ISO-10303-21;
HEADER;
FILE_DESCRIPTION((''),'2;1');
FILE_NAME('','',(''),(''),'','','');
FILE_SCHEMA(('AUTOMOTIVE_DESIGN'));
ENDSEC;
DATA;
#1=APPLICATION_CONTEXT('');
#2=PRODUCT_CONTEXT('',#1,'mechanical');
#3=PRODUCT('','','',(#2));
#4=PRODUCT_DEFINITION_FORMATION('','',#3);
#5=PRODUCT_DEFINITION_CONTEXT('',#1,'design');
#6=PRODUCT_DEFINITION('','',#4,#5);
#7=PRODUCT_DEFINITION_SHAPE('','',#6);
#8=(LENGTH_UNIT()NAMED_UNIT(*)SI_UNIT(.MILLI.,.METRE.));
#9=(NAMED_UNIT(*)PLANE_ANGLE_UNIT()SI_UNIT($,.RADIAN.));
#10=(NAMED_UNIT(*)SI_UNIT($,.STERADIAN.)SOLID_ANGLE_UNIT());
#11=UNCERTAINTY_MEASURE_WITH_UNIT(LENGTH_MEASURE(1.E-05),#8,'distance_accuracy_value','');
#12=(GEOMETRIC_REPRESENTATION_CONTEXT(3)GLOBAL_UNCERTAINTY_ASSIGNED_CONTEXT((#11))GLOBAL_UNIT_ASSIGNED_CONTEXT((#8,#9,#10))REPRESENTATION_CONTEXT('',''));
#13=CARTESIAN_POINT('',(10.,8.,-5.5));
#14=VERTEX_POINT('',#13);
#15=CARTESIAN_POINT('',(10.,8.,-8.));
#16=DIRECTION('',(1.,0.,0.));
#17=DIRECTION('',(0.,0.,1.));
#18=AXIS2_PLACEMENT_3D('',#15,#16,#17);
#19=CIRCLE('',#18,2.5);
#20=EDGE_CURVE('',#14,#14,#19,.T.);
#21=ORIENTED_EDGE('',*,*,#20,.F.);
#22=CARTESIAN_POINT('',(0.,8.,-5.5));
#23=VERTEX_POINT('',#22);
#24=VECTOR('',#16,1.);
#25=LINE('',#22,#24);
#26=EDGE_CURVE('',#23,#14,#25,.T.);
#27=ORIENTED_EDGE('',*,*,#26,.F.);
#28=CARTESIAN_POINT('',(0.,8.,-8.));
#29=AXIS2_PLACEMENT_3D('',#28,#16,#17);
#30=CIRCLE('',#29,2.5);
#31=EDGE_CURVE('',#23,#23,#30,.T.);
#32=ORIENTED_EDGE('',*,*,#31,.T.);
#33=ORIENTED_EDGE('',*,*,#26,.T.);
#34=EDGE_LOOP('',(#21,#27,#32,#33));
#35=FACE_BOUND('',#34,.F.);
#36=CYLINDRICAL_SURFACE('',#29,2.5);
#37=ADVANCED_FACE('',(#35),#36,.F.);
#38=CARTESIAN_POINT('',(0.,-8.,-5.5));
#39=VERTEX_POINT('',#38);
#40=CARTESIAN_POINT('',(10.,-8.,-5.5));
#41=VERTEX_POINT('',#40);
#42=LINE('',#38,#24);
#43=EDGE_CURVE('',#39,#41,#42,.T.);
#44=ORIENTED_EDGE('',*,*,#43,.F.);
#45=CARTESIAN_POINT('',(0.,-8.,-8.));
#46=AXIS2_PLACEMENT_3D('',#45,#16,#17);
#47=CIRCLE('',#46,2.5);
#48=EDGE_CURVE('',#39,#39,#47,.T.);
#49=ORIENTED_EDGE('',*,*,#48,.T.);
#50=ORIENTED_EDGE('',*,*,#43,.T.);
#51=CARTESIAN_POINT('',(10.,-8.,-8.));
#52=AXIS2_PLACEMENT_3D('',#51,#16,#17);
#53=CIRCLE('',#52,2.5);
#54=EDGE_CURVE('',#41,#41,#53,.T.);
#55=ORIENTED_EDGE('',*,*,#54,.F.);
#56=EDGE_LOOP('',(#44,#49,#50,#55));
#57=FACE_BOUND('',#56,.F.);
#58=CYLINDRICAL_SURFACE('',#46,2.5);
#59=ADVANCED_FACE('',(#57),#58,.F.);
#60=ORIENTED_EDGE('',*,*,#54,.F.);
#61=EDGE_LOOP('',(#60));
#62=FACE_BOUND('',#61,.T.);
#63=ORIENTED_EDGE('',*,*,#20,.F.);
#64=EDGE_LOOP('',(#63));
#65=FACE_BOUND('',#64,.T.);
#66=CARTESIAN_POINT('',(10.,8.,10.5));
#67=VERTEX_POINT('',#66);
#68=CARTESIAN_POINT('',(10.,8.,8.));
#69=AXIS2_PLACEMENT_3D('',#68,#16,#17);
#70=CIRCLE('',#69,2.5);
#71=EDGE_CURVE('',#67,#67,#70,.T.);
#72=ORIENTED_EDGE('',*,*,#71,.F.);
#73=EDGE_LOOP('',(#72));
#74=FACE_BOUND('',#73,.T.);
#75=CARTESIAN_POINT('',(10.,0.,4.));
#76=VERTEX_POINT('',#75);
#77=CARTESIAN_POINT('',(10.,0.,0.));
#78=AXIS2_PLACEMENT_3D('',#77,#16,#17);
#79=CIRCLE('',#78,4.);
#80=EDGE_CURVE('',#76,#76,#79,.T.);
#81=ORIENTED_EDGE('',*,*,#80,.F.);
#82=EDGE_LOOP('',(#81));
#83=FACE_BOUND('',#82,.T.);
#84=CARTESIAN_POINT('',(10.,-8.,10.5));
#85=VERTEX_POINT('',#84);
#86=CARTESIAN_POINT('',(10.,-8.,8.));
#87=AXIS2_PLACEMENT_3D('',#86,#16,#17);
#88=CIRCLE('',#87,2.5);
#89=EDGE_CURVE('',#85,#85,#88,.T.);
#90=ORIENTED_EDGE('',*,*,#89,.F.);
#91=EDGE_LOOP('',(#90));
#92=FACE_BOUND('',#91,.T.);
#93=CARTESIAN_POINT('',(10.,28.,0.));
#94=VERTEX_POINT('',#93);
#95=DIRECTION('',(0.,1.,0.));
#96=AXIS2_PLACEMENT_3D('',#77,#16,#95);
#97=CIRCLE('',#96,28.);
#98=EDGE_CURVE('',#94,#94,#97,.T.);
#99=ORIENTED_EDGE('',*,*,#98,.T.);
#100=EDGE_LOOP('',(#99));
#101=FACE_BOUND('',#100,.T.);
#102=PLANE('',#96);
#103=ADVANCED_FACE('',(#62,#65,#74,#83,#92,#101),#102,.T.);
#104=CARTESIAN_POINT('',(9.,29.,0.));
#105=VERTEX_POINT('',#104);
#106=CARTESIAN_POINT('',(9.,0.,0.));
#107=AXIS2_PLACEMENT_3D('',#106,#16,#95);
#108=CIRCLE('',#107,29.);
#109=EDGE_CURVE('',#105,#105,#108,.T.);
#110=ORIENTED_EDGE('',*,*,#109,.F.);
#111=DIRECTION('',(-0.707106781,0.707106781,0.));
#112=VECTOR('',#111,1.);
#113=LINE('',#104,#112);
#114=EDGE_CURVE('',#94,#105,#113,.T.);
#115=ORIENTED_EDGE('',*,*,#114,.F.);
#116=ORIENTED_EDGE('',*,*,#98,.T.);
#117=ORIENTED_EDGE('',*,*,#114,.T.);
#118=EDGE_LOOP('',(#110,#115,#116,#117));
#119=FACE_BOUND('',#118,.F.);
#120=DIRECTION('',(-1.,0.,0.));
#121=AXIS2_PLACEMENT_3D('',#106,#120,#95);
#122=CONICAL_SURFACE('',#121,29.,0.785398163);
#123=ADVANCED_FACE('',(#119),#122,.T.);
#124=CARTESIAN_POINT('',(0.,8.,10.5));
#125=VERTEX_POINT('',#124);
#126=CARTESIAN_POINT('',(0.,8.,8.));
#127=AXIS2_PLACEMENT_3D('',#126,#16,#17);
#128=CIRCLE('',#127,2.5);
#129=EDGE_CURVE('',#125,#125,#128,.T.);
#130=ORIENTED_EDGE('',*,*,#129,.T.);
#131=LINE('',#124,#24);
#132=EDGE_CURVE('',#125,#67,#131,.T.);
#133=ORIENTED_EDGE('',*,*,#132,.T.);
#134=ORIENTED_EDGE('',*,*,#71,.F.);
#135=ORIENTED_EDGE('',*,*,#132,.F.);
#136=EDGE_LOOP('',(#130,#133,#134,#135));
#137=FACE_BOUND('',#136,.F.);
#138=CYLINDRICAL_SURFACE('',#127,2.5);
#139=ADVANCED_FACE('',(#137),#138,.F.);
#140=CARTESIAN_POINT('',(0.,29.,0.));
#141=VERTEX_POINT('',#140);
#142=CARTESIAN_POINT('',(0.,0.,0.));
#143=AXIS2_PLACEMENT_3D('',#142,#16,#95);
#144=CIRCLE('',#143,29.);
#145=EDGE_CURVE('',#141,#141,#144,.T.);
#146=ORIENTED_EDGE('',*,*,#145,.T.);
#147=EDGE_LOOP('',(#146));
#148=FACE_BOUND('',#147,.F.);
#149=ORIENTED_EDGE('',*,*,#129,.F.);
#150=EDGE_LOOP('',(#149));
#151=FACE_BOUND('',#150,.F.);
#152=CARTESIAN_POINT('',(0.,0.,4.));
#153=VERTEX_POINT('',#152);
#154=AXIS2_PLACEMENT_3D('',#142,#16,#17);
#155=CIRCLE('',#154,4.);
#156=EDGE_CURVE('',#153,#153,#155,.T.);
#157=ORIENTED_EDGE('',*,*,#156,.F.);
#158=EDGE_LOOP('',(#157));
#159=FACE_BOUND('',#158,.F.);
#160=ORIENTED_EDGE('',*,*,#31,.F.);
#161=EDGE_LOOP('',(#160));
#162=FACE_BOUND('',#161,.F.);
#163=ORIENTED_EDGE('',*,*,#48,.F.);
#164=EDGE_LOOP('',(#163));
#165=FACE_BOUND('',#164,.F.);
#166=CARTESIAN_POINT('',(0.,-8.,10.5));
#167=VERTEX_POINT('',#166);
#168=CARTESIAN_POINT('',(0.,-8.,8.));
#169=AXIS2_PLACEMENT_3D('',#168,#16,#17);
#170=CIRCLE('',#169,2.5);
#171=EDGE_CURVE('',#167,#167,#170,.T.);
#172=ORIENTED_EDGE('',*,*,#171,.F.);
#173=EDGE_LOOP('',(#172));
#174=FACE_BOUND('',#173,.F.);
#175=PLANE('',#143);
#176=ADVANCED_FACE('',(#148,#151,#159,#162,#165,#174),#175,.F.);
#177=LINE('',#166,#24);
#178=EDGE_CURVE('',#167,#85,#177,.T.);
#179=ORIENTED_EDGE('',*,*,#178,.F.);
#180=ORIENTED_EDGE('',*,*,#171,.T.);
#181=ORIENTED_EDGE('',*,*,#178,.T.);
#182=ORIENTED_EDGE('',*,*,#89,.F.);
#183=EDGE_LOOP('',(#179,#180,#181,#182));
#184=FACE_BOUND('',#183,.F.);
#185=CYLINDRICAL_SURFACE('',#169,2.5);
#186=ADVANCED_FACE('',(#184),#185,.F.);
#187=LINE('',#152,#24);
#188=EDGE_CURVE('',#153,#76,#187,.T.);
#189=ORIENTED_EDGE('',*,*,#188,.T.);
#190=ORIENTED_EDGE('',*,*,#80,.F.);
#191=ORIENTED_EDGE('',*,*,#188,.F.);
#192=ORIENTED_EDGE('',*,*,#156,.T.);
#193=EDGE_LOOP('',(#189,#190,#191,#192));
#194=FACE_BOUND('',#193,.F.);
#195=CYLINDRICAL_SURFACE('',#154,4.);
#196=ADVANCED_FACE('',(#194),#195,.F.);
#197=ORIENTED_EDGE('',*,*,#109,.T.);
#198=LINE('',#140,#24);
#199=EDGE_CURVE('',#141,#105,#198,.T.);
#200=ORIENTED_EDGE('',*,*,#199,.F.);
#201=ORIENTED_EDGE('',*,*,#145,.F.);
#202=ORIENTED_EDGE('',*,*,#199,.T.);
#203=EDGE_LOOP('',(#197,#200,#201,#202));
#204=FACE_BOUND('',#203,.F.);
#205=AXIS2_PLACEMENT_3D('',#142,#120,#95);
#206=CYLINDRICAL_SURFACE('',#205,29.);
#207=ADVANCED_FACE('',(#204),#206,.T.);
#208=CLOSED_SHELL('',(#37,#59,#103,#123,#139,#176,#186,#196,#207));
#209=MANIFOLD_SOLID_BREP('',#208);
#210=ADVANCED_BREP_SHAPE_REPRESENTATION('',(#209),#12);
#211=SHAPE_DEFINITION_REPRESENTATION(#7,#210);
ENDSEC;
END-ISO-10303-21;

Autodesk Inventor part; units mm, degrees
ref_plane "YZ Plane" through (0, 0, 0) normal (1, 0, 0) x (0, 1, 0)
ref_plane "XZ Plane" through (0, 0, 0) normal (0, 1, 0) x (-1, 0, 0)
ref_plane "XY Plane" through (0, 0, 0) normal (0, 0, 1) x (1, 0, 0)
sketch "Sketch1" plane through (0, 0, 0) normal (1, 0, 0) x (0, 1, 0)
  circle A0 centre (0, 0) radius 29
  circle A1 centre (0, 0) radius 22.2155 construction
  circle A2 centre (0, 0) radius 29 projected
  dimension "d21" = 58
  dimension "d28" = 58
extrude "Extrusion1" add sketch "Sketch1" along normal blind 10
sketch "Sketch2" plane through (0, 0, 0) normal (-1, 0, 0) x (0, 0, 1)
  point P0 (0, 0)
  point P1 (8, 8)
  point P2 (8, -8)
  point P3 (-8, -8)
  point P4 (-8, 8)
  dimension "d2" = 8
  dimension "d3" = 8
  dimension "d4" = 16
  dimension "d5" = 16
hole "Hole1" at (0, 8, 8) at (0, -8, 8) at (0, -8, -8) at (0, 8, -8) direction (1, 0, 0) diameter 5 end through all
sketch "Sketch3" plane through (0, 0, 0) normal (-1, 0, 0) x (0, 0, 1)
  point P0 (0, 0)
  point P1 (0, 0)
hole "Hole2" at (0, 0, 0) direction (1, 0, 0) diameter 8 end through all
chamfer "Chamfer2" distance 1 distance2 1 1 edges at (10, -29, 0) measured on face at (10, -16.3716, 0)
equation "\"d21\" = d28"
equation "\"d4\" = 2 * d2"
equation "\"d5\" = d4"
properties part number "Tapon 2"
